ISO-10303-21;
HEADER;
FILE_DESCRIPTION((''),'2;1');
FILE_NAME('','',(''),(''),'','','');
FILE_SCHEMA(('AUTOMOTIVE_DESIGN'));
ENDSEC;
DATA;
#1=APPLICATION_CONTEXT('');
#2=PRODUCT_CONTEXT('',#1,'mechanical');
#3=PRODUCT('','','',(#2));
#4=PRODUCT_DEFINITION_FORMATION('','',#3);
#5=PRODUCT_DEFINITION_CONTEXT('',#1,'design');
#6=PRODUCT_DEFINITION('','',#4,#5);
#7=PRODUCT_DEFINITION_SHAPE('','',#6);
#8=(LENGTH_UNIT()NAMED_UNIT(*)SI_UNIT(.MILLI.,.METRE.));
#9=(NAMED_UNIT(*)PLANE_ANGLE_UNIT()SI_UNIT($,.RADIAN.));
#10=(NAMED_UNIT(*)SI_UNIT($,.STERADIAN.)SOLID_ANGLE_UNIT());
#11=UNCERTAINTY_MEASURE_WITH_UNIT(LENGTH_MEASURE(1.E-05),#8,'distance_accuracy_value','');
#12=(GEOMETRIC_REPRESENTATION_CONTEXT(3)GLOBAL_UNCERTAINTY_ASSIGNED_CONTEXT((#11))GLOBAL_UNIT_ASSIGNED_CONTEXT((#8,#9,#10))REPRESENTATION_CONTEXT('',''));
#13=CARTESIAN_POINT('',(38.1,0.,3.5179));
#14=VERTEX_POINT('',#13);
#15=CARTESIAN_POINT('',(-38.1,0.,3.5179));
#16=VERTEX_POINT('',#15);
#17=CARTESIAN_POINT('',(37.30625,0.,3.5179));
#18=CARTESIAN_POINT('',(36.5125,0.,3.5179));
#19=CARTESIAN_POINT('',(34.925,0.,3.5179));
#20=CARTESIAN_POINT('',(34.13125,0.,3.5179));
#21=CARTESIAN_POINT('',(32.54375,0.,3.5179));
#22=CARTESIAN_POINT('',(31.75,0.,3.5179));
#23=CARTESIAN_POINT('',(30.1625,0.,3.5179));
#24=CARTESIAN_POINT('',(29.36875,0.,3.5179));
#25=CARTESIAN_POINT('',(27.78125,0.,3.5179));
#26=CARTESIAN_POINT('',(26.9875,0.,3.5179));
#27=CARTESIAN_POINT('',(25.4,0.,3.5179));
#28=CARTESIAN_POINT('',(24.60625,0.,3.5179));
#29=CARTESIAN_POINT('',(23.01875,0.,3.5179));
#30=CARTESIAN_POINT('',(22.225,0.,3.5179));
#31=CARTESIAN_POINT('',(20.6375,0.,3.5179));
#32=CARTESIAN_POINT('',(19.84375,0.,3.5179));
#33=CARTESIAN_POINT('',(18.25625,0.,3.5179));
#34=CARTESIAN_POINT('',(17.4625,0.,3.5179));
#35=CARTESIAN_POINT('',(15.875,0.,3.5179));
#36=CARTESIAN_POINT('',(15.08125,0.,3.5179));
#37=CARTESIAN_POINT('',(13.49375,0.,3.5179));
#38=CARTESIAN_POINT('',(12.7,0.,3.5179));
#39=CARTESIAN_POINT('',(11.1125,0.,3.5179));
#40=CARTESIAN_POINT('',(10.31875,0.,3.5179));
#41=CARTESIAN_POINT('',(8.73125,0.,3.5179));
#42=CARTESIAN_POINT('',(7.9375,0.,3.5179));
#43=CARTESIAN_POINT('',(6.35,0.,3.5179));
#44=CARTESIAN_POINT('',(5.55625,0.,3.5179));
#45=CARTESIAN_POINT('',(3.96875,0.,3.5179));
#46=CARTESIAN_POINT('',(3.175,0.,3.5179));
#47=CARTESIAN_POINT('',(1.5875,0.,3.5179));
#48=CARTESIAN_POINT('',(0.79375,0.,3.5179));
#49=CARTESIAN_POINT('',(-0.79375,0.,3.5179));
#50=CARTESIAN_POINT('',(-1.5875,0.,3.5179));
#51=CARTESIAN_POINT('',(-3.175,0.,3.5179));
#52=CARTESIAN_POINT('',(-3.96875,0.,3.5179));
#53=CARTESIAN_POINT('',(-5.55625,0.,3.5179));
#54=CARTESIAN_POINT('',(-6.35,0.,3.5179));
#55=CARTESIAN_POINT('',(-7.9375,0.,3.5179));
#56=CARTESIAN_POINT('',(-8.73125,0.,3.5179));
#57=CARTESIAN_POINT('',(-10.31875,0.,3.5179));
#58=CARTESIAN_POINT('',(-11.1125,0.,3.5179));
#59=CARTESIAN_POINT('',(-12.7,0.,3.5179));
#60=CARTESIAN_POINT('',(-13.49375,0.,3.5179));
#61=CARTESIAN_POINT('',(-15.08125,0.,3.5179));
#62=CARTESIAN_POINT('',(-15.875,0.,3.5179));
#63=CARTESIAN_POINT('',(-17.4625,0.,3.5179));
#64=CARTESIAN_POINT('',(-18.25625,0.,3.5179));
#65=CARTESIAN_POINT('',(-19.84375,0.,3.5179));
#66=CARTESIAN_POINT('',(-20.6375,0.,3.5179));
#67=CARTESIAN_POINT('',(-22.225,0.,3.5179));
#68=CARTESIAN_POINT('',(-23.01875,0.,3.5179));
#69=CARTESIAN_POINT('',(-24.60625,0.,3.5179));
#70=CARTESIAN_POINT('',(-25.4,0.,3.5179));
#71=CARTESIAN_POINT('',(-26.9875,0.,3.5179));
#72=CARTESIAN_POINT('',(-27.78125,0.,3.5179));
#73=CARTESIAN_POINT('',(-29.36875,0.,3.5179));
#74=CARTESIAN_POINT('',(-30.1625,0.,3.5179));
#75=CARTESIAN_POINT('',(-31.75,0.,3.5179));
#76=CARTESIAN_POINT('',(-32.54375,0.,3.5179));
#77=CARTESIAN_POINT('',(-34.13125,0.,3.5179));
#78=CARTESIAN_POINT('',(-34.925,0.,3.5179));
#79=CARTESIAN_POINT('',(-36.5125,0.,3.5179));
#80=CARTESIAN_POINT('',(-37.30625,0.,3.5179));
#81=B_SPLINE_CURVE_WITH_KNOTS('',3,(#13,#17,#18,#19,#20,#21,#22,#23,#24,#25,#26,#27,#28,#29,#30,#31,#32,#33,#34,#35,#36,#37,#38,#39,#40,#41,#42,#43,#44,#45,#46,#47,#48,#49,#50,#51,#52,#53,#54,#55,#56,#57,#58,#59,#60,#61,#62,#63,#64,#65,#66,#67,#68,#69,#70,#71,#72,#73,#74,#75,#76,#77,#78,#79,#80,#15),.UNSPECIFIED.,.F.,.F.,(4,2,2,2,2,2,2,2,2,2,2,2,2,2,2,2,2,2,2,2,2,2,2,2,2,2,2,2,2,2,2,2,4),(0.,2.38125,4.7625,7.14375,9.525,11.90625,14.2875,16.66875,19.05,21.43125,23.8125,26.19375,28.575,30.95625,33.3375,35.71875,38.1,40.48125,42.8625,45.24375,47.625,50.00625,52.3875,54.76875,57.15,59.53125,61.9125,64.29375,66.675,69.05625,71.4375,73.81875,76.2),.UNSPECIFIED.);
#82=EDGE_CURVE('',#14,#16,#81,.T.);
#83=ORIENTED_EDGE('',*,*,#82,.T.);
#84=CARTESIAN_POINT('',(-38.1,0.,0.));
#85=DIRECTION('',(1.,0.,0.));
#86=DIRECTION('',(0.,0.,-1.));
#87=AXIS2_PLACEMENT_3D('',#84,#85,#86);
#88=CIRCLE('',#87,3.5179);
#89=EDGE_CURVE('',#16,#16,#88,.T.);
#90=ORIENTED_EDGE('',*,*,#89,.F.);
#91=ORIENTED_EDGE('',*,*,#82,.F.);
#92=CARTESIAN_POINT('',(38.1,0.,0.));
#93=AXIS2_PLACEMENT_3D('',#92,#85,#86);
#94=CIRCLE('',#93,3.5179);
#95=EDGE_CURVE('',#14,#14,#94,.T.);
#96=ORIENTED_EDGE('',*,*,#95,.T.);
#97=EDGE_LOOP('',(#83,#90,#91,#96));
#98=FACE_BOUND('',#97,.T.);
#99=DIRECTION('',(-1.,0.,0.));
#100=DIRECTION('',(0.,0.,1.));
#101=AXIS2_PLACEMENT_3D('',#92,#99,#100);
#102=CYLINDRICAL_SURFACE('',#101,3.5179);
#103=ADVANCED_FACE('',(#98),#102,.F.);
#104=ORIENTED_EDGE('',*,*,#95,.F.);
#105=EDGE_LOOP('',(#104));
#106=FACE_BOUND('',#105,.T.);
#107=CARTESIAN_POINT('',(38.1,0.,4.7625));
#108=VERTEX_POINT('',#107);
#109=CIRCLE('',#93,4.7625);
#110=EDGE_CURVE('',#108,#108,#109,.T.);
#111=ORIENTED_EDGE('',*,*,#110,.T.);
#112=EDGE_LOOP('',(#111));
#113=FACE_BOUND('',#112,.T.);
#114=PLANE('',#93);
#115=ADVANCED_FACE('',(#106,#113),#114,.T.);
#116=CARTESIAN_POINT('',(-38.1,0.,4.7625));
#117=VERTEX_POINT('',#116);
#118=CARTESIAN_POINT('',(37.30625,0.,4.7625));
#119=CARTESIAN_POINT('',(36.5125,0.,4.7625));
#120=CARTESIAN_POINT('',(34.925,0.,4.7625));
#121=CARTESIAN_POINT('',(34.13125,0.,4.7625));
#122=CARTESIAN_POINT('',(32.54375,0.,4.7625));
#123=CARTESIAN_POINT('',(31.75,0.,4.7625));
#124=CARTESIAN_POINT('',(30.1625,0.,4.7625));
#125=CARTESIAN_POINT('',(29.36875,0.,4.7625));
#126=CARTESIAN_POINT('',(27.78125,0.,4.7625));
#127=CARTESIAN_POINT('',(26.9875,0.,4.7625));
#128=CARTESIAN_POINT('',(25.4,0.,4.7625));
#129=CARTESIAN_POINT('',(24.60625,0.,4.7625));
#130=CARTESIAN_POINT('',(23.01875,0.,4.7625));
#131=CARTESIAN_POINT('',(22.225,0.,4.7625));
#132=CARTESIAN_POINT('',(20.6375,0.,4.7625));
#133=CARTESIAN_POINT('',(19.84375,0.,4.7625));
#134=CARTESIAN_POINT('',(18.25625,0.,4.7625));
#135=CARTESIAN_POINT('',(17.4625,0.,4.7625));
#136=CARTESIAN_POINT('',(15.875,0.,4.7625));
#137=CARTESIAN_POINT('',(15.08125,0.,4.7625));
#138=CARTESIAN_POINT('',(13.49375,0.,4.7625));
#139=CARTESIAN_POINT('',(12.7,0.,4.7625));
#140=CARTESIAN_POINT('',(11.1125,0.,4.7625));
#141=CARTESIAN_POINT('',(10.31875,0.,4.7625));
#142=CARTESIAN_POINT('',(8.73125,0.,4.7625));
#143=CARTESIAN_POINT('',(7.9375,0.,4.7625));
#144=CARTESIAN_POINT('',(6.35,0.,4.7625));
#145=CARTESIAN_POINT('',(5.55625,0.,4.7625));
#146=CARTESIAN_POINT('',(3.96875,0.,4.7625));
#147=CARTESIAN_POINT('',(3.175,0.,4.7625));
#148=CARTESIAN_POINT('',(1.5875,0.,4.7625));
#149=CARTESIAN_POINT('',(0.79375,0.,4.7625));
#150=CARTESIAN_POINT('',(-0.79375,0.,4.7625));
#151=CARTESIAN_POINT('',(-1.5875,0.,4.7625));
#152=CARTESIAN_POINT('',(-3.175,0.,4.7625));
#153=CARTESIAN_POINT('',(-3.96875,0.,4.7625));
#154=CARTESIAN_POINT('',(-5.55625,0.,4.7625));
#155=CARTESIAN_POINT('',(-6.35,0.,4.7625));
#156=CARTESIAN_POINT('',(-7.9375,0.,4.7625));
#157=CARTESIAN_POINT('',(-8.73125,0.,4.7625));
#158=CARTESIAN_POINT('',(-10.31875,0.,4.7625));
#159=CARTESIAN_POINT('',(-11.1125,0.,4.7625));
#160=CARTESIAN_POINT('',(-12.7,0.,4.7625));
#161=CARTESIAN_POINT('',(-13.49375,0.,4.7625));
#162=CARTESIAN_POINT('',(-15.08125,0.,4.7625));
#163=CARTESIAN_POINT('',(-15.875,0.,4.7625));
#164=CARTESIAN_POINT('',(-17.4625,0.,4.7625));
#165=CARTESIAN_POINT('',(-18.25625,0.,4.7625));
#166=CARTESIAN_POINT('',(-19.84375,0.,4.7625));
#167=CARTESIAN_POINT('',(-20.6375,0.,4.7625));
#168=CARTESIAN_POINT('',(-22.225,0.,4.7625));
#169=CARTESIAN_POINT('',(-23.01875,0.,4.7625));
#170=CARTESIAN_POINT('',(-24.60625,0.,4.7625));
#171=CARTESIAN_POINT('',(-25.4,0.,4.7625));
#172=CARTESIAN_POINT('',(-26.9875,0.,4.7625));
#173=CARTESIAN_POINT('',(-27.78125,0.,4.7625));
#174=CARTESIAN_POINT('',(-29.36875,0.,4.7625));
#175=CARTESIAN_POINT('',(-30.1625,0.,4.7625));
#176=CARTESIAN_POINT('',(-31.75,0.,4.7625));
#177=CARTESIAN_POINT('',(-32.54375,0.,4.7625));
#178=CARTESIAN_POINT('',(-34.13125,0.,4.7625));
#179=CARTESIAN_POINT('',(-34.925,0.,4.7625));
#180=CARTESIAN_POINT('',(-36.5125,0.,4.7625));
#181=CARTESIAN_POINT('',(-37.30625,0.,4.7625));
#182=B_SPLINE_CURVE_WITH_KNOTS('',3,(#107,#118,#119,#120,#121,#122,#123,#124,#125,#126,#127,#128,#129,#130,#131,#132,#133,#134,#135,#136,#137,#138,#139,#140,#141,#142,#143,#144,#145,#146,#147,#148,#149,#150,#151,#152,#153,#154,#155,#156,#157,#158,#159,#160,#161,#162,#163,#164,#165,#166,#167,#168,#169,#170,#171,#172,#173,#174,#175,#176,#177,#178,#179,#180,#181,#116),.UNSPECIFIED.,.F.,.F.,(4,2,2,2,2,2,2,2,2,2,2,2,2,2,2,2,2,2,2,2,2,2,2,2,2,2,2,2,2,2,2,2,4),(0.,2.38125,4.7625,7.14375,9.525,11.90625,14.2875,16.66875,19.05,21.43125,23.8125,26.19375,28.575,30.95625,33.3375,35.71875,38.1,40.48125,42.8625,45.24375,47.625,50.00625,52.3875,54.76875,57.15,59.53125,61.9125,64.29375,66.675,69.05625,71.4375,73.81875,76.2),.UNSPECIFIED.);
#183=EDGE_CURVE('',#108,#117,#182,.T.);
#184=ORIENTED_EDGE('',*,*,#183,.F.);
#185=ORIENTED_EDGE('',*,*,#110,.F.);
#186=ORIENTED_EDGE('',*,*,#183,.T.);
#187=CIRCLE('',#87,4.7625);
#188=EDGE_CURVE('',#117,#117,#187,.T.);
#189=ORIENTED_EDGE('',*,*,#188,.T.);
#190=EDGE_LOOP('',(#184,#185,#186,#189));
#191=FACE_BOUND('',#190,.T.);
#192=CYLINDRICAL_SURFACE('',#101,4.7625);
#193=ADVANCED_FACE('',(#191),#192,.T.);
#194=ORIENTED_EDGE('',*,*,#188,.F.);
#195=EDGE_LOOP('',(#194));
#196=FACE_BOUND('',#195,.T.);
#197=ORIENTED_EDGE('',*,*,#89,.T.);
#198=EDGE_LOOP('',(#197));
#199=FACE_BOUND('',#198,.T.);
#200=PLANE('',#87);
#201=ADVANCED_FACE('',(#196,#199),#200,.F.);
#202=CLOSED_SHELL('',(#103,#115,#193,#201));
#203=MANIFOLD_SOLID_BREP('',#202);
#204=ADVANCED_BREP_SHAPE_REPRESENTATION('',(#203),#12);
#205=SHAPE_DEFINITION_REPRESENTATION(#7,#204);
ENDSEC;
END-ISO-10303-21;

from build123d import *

# Parameters (mm, degrees)
SKETCH4_R           = 4.7625
SKETCH4_R_2         = 3.5179
BOSS_EXTRUDE1_DEPTH = 38.1


with BuildPart() as part:
    # Sketch4 → Boss-Extrude1 (new, symmetric)
    with BuildSketch(Plane(origin=(0, 0, 0), x_dir=(0, 0, -1), z_dir=(1, 0, 0))):
        Circle(SKETCH4_R)
        Circle(SKETCH4_R_2, mode=Mode.SUBTRACT)
    extrude(amount=BOSS_EXTRUDE1_DEPTH, both=True)


solid = part.part
